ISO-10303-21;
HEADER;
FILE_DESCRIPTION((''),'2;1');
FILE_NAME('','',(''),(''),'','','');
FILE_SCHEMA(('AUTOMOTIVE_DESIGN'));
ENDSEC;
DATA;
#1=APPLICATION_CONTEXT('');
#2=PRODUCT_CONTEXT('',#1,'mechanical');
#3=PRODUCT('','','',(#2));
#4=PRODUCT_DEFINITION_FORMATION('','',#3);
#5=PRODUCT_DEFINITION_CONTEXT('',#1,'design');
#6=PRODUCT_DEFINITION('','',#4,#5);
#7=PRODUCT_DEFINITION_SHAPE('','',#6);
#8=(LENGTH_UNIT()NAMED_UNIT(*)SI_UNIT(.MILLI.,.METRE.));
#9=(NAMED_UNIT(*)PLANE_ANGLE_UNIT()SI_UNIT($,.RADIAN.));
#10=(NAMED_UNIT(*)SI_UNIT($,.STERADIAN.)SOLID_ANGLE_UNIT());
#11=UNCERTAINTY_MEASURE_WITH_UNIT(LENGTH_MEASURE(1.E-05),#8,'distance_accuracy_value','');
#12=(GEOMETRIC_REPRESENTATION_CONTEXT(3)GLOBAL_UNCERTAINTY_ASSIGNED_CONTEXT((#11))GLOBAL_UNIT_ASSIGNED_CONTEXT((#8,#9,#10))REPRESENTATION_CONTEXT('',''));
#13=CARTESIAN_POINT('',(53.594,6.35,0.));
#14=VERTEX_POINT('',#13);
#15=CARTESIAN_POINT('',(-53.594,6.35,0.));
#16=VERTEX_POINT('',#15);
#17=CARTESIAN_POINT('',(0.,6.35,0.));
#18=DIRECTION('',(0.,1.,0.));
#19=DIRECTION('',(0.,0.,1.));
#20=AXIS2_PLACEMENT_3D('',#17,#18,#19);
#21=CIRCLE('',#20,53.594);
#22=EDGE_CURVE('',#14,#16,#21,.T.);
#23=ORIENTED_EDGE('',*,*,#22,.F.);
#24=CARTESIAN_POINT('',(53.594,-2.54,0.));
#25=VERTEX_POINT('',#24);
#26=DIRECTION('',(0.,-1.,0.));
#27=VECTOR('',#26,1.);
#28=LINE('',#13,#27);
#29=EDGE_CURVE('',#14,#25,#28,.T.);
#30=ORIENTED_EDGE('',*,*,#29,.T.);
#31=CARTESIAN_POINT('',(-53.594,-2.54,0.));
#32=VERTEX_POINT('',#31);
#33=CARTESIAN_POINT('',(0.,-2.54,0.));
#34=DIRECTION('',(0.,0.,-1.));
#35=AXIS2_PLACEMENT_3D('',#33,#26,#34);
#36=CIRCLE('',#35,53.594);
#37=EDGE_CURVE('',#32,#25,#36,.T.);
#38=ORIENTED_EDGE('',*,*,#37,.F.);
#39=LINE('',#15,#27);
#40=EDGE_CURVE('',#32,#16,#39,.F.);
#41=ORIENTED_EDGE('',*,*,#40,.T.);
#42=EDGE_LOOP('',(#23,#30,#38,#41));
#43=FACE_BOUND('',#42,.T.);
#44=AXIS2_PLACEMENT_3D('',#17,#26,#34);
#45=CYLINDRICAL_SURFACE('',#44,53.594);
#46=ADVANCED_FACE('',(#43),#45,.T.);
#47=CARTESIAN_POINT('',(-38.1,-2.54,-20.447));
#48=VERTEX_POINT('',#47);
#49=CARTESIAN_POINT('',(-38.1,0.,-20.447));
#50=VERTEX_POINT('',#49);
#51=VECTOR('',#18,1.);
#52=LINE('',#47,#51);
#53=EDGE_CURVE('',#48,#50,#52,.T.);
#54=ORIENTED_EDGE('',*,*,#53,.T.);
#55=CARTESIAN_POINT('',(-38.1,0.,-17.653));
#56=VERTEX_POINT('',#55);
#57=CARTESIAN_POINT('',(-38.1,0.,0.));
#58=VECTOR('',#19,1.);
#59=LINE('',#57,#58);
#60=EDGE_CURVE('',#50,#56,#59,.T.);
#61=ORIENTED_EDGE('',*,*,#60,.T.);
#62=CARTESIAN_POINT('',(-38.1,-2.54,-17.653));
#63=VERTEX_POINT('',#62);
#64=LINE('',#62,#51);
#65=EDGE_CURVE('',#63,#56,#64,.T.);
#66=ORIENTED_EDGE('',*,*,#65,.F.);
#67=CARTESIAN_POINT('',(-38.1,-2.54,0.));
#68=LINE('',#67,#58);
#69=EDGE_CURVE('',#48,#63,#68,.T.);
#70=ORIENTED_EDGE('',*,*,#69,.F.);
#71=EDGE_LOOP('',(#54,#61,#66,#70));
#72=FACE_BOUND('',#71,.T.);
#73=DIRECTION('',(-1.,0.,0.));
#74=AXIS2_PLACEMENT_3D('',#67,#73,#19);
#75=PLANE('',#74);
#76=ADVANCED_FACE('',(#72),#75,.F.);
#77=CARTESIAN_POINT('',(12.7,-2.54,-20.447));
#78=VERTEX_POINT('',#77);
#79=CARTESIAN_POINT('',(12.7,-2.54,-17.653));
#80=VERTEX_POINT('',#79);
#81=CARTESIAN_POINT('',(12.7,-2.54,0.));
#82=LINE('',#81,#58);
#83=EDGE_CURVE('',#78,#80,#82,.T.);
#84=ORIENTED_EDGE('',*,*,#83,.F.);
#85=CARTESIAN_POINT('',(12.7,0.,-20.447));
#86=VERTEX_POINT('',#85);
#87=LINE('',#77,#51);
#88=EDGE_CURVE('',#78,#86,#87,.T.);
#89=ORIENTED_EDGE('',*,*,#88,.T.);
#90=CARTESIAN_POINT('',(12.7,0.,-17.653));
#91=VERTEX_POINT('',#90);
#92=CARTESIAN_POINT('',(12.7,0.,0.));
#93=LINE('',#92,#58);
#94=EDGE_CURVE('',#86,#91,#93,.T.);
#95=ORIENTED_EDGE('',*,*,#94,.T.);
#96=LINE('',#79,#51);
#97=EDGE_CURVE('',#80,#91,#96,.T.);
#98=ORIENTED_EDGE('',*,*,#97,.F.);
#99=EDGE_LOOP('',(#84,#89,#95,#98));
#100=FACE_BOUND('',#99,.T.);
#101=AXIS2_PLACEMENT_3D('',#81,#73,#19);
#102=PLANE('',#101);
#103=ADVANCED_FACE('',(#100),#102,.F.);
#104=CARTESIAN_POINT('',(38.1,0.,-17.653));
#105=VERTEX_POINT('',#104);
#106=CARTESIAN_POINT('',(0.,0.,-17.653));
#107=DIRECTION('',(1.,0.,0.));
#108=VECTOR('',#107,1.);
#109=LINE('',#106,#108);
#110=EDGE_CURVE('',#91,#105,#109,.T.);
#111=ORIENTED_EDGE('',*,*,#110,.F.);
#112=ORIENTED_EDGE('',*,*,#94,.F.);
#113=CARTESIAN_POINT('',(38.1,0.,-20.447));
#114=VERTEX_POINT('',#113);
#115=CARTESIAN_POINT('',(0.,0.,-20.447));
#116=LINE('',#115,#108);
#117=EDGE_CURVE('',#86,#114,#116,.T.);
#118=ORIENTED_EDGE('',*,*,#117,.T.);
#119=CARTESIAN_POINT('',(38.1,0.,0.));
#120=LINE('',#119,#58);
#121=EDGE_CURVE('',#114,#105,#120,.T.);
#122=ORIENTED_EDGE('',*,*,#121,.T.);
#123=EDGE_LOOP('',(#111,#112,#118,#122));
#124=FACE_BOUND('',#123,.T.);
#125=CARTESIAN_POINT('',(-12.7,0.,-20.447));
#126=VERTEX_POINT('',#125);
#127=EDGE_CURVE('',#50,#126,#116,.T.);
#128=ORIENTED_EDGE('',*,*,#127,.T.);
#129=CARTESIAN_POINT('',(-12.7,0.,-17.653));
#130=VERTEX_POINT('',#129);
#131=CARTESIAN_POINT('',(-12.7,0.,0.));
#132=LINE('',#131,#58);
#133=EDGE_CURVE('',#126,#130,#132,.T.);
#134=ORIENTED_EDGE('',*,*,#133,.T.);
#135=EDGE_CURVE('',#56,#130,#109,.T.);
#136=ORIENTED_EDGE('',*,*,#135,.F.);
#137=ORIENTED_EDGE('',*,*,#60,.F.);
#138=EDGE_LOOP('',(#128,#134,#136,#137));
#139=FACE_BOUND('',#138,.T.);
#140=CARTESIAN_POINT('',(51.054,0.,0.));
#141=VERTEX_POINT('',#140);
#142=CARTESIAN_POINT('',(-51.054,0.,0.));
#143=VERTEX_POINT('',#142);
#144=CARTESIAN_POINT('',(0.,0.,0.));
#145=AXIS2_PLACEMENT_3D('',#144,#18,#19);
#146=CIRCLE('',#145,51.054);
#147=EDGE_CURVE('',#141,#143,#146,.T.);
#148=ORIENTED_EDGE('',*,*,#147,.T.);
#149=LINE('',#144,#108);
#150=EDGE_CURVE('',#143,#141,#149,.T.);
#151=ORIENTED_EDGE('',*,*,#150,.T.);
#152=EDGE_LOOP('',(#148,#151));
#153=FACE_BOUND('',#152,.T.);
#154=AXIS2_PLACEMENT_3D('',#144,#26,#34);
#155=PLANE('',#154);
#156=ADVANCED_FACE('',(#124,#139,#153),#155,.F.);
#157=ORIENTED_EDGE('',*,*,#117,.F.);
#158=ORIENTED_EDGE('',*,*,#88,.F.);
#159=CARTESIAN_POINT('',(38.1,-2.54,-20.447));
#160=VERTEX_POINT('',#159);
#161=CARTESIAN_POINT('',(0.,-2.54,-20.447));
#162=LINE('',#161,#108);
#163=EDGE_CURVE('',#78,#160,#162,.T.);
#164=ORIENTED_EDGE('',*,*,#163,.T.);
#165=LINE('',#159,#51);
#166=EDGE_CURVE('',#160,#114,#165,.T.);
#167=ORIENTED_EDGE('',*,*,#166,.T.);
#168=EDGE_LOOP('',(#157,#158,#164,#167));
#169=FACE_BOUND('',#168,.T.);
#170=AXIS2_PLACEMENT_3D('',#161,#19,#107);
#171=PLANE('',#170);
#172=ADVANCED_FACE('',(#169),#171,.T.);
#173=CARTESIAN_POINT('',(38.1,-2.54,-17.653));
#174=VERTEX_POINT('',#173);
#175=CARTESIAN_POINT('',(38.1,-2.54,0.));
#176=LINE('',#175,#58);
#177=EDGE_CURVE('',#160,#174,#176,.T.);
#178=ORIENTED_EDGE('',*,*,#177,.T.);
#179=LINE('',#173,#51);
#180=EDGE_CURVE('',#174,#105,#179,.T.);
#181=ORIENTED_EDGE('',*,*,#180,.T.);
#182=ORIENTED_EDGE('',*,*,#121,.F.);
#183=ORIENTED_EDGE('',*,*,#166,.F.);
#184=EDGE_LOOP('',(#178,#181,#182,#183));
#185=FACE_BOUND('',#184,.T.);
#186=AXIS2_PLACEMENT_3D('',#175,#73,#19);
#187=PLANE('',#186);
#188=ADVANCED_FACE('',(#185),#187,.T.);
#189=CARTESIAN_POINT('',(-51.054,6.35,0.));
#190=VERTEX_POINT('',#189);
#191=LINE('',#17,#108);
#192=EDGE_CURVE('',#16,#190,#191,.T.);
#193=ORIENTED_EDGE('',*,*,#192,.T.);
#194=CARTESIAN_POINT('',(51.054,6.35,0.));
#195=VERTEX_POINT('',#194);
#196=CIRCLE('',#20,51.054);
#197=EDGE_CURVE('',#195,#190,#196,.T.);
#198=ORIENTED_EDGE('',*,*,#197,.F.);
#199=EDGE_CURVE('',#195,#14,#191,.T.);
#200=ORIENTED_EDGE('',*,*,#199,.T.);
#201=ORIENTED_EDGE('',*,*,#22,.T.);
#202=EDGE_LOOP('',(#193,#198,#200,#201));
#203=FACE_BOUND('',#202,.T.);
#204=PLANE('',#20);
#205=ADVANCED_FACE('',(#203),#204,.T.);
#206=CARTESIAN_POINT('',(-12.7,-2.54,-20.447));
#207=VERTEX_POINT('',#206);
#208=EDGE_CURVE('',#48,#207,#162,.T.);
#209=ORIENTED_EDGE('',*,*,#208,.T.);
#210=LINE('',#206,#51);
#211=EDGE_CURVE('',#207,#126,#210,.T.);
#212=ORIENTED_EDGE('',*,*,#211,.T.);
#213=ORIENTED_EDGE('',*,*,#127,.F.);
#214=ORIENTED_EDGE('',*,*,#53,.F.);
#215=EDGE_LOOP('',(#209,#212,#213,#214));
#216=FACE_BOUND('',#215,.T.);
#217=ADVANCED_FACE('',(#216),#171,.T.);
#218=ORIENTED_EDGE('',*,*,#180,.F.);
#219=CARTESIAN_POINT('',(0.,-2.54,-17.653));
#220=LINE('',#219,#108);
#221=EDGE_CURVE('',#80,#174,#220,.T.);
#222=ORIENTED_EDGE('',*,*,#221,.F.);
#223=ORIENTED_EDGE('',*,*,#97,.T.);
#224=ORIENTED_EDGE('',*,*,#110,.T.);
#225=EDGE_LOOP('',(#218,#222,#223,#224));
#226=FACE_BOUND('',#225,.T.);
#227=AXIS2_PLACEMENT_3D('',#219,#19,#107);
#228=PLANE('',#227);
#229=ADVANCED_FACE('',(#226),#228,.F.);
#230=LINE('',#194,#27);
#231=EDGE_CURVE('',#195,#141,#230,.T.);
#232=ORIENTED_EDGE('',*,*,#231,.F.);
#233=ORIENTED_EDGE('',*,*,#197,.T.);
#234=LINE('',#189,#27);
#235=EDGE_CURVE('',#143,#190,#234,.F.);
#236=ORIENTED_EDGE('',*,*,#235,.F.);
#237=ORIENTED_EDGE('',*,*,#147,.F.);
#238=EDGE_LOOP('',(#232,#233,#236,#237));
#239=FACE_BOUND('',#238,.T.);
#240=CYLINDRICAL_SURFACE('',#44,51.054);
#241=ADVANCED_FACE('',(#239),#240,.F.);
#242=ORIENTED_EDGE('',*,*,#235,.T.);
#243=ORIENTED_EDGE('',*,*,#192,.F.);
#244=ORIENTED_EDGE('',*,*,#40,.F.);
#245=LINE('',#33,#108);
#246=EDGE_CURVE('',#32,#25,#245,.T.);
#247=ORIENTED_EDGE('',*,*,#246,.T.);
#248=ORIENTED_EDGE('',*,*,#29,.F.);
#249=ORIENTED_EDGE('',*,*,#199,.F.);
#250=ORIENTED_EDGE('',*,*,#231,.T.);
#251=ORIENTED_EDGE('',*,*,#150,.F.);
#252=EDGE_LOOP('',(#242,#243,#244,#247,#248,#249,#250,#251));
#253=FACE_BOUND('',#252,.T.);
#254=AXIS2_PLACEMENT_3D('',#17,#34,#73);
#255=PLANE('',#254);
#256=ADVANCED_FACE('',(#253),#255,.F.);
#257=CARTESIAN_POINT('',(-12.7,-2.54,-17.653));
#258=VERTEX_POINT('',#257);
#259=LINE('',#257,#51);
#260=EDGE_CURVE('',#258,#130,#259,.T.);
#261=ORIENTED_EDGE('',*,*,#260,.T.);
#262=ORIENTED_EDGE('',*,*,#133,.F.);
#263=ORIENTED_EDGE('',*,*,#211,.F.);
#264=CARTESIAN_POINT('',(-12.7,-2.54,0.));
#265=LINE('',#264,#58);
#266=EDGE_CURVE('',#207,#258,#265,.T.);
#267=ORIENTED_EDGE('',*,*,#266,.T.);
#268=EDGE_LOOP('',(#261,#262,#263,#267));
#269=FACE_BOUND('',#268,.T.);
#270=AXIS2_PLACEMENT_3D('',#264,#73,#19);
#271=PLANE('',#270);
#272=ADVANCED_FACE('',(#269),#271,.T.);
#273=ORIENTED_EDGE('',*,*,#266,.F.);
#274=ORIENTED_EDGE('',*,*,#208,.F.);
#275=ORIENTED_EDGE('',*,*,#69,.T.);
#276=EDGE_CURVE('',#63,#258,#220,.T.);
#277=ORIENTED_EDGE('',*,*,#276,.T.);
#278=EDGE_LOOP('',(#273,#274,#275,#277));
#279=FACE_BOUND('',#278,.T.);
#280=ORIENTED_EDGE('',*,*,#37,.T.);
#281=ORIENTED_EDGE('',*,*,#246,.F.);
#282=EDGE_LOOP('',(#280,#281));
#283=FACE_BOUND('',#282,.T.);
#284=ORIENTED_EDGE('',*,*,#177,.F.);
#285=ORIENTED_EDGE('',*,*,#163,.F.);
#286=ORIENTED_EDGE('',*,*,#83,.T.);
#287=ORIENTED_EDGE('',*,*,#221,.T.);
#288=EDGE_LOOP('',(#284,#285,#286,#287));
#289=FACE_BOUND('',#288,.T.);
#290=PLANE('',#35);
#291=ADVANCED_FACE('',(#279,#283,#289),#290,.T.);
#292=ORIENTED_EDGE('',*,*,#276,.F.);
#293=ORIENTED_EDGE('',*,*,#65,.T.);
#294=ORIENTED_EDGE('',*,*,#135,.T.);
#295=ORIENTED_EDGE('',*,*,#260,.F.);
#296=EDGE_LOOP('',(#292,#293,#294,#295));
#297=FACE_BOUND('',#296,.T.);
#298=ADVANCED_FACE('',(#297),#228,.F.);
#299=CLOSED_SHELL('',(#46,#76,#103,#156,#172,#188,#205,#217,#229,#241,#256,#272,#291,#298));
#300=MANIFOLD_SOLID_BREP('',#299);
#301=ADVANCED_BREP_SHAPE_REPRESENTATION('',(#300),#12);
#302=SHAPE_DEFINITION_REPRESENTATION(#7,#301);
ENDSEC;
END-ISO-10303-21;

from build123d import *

# Parameters (mm, degrees)
SKETCH1_R           = 53.594
SKETCH1_R_2         = 51.054
BOSS_EXTRUDE2_DEPTH = 6.35
BOSS_EXTRUDE3_START = 2.54
SKETCH2_R           = 53.594
BOSS_EXTRUDE3_DEPTH = 2.54
SKETCH4_W           = 25.4
SKETCH4_H           = 2.794
CUT_EXTRUDE1_DEPTH  = 77.058899361
CUT_EXTRUDE2_DEPTH  = 77.312946294


with BuildPart() as part:
    # Sketch1 → Boss-Extrude2 (new body)
    with BuildSketch(Plane(origin=(0, 0, 0), x_dir=(1, 0, 0), z_dir=(0, 1, 0))):
        with Locations(Location((0, 0, 0), (0, 0, 270))):
            Circle(SKETCH1_R)
        with Locations(Location((0, 0, 0), (0, 0, 270))):
            Circle(SKETCH1_R_2, mode=Mode.SUBTRACT)
    extrude(amount=BOSS_EXTRUDE2_DEPTH)

    # Sketch2 → Boss-Extrude3 (add)
    with BuildSketch(Plane.XZ.offset(BOSS_EXTRUDE3_START)):
        with Locations(Location((0, 0, 0), (0, 0, 270))):
            Circle(SKETCH2_R)
    extrude(amount=-BOSS_EXTRUDE3_DEPTH)

    # Sketch4 → Cut-Extrude1 (cut, through all)
    with BuildSketch(Plane(origin=(0, 0, 0), x_dir=(1, 0, 0), z_dir=(0, 1, 0))):
        with Locations((-25.4, 19.05)):
            Rectangle(SKETCH4_W, SKETCH4_H)
        with Locations((25.4, 19.05)):
            Rectangle(SKETCH4_W, SKETCH4_H)
    extrude(amount=-CUT_EXTRUDE1_DEPTH, mode=Mode.SUBTRACT)

    # Sketch5 → Cut-Extrude2 (cut, through all)
    with BuildSketch(Plane.XZ.offset(2.54)):
        Polygon((-349.002283825, 0), (-69.85, 0), (69.85, 0), (349.002283825, 0), (349.002283825, 558.304567649), (-349.002283825, 558.304567649), align=None)
    extrude(amount=-CUT_EXTRUDE2_DEPTH, mode=Mode.SUBTRACT)


solid = part.part
